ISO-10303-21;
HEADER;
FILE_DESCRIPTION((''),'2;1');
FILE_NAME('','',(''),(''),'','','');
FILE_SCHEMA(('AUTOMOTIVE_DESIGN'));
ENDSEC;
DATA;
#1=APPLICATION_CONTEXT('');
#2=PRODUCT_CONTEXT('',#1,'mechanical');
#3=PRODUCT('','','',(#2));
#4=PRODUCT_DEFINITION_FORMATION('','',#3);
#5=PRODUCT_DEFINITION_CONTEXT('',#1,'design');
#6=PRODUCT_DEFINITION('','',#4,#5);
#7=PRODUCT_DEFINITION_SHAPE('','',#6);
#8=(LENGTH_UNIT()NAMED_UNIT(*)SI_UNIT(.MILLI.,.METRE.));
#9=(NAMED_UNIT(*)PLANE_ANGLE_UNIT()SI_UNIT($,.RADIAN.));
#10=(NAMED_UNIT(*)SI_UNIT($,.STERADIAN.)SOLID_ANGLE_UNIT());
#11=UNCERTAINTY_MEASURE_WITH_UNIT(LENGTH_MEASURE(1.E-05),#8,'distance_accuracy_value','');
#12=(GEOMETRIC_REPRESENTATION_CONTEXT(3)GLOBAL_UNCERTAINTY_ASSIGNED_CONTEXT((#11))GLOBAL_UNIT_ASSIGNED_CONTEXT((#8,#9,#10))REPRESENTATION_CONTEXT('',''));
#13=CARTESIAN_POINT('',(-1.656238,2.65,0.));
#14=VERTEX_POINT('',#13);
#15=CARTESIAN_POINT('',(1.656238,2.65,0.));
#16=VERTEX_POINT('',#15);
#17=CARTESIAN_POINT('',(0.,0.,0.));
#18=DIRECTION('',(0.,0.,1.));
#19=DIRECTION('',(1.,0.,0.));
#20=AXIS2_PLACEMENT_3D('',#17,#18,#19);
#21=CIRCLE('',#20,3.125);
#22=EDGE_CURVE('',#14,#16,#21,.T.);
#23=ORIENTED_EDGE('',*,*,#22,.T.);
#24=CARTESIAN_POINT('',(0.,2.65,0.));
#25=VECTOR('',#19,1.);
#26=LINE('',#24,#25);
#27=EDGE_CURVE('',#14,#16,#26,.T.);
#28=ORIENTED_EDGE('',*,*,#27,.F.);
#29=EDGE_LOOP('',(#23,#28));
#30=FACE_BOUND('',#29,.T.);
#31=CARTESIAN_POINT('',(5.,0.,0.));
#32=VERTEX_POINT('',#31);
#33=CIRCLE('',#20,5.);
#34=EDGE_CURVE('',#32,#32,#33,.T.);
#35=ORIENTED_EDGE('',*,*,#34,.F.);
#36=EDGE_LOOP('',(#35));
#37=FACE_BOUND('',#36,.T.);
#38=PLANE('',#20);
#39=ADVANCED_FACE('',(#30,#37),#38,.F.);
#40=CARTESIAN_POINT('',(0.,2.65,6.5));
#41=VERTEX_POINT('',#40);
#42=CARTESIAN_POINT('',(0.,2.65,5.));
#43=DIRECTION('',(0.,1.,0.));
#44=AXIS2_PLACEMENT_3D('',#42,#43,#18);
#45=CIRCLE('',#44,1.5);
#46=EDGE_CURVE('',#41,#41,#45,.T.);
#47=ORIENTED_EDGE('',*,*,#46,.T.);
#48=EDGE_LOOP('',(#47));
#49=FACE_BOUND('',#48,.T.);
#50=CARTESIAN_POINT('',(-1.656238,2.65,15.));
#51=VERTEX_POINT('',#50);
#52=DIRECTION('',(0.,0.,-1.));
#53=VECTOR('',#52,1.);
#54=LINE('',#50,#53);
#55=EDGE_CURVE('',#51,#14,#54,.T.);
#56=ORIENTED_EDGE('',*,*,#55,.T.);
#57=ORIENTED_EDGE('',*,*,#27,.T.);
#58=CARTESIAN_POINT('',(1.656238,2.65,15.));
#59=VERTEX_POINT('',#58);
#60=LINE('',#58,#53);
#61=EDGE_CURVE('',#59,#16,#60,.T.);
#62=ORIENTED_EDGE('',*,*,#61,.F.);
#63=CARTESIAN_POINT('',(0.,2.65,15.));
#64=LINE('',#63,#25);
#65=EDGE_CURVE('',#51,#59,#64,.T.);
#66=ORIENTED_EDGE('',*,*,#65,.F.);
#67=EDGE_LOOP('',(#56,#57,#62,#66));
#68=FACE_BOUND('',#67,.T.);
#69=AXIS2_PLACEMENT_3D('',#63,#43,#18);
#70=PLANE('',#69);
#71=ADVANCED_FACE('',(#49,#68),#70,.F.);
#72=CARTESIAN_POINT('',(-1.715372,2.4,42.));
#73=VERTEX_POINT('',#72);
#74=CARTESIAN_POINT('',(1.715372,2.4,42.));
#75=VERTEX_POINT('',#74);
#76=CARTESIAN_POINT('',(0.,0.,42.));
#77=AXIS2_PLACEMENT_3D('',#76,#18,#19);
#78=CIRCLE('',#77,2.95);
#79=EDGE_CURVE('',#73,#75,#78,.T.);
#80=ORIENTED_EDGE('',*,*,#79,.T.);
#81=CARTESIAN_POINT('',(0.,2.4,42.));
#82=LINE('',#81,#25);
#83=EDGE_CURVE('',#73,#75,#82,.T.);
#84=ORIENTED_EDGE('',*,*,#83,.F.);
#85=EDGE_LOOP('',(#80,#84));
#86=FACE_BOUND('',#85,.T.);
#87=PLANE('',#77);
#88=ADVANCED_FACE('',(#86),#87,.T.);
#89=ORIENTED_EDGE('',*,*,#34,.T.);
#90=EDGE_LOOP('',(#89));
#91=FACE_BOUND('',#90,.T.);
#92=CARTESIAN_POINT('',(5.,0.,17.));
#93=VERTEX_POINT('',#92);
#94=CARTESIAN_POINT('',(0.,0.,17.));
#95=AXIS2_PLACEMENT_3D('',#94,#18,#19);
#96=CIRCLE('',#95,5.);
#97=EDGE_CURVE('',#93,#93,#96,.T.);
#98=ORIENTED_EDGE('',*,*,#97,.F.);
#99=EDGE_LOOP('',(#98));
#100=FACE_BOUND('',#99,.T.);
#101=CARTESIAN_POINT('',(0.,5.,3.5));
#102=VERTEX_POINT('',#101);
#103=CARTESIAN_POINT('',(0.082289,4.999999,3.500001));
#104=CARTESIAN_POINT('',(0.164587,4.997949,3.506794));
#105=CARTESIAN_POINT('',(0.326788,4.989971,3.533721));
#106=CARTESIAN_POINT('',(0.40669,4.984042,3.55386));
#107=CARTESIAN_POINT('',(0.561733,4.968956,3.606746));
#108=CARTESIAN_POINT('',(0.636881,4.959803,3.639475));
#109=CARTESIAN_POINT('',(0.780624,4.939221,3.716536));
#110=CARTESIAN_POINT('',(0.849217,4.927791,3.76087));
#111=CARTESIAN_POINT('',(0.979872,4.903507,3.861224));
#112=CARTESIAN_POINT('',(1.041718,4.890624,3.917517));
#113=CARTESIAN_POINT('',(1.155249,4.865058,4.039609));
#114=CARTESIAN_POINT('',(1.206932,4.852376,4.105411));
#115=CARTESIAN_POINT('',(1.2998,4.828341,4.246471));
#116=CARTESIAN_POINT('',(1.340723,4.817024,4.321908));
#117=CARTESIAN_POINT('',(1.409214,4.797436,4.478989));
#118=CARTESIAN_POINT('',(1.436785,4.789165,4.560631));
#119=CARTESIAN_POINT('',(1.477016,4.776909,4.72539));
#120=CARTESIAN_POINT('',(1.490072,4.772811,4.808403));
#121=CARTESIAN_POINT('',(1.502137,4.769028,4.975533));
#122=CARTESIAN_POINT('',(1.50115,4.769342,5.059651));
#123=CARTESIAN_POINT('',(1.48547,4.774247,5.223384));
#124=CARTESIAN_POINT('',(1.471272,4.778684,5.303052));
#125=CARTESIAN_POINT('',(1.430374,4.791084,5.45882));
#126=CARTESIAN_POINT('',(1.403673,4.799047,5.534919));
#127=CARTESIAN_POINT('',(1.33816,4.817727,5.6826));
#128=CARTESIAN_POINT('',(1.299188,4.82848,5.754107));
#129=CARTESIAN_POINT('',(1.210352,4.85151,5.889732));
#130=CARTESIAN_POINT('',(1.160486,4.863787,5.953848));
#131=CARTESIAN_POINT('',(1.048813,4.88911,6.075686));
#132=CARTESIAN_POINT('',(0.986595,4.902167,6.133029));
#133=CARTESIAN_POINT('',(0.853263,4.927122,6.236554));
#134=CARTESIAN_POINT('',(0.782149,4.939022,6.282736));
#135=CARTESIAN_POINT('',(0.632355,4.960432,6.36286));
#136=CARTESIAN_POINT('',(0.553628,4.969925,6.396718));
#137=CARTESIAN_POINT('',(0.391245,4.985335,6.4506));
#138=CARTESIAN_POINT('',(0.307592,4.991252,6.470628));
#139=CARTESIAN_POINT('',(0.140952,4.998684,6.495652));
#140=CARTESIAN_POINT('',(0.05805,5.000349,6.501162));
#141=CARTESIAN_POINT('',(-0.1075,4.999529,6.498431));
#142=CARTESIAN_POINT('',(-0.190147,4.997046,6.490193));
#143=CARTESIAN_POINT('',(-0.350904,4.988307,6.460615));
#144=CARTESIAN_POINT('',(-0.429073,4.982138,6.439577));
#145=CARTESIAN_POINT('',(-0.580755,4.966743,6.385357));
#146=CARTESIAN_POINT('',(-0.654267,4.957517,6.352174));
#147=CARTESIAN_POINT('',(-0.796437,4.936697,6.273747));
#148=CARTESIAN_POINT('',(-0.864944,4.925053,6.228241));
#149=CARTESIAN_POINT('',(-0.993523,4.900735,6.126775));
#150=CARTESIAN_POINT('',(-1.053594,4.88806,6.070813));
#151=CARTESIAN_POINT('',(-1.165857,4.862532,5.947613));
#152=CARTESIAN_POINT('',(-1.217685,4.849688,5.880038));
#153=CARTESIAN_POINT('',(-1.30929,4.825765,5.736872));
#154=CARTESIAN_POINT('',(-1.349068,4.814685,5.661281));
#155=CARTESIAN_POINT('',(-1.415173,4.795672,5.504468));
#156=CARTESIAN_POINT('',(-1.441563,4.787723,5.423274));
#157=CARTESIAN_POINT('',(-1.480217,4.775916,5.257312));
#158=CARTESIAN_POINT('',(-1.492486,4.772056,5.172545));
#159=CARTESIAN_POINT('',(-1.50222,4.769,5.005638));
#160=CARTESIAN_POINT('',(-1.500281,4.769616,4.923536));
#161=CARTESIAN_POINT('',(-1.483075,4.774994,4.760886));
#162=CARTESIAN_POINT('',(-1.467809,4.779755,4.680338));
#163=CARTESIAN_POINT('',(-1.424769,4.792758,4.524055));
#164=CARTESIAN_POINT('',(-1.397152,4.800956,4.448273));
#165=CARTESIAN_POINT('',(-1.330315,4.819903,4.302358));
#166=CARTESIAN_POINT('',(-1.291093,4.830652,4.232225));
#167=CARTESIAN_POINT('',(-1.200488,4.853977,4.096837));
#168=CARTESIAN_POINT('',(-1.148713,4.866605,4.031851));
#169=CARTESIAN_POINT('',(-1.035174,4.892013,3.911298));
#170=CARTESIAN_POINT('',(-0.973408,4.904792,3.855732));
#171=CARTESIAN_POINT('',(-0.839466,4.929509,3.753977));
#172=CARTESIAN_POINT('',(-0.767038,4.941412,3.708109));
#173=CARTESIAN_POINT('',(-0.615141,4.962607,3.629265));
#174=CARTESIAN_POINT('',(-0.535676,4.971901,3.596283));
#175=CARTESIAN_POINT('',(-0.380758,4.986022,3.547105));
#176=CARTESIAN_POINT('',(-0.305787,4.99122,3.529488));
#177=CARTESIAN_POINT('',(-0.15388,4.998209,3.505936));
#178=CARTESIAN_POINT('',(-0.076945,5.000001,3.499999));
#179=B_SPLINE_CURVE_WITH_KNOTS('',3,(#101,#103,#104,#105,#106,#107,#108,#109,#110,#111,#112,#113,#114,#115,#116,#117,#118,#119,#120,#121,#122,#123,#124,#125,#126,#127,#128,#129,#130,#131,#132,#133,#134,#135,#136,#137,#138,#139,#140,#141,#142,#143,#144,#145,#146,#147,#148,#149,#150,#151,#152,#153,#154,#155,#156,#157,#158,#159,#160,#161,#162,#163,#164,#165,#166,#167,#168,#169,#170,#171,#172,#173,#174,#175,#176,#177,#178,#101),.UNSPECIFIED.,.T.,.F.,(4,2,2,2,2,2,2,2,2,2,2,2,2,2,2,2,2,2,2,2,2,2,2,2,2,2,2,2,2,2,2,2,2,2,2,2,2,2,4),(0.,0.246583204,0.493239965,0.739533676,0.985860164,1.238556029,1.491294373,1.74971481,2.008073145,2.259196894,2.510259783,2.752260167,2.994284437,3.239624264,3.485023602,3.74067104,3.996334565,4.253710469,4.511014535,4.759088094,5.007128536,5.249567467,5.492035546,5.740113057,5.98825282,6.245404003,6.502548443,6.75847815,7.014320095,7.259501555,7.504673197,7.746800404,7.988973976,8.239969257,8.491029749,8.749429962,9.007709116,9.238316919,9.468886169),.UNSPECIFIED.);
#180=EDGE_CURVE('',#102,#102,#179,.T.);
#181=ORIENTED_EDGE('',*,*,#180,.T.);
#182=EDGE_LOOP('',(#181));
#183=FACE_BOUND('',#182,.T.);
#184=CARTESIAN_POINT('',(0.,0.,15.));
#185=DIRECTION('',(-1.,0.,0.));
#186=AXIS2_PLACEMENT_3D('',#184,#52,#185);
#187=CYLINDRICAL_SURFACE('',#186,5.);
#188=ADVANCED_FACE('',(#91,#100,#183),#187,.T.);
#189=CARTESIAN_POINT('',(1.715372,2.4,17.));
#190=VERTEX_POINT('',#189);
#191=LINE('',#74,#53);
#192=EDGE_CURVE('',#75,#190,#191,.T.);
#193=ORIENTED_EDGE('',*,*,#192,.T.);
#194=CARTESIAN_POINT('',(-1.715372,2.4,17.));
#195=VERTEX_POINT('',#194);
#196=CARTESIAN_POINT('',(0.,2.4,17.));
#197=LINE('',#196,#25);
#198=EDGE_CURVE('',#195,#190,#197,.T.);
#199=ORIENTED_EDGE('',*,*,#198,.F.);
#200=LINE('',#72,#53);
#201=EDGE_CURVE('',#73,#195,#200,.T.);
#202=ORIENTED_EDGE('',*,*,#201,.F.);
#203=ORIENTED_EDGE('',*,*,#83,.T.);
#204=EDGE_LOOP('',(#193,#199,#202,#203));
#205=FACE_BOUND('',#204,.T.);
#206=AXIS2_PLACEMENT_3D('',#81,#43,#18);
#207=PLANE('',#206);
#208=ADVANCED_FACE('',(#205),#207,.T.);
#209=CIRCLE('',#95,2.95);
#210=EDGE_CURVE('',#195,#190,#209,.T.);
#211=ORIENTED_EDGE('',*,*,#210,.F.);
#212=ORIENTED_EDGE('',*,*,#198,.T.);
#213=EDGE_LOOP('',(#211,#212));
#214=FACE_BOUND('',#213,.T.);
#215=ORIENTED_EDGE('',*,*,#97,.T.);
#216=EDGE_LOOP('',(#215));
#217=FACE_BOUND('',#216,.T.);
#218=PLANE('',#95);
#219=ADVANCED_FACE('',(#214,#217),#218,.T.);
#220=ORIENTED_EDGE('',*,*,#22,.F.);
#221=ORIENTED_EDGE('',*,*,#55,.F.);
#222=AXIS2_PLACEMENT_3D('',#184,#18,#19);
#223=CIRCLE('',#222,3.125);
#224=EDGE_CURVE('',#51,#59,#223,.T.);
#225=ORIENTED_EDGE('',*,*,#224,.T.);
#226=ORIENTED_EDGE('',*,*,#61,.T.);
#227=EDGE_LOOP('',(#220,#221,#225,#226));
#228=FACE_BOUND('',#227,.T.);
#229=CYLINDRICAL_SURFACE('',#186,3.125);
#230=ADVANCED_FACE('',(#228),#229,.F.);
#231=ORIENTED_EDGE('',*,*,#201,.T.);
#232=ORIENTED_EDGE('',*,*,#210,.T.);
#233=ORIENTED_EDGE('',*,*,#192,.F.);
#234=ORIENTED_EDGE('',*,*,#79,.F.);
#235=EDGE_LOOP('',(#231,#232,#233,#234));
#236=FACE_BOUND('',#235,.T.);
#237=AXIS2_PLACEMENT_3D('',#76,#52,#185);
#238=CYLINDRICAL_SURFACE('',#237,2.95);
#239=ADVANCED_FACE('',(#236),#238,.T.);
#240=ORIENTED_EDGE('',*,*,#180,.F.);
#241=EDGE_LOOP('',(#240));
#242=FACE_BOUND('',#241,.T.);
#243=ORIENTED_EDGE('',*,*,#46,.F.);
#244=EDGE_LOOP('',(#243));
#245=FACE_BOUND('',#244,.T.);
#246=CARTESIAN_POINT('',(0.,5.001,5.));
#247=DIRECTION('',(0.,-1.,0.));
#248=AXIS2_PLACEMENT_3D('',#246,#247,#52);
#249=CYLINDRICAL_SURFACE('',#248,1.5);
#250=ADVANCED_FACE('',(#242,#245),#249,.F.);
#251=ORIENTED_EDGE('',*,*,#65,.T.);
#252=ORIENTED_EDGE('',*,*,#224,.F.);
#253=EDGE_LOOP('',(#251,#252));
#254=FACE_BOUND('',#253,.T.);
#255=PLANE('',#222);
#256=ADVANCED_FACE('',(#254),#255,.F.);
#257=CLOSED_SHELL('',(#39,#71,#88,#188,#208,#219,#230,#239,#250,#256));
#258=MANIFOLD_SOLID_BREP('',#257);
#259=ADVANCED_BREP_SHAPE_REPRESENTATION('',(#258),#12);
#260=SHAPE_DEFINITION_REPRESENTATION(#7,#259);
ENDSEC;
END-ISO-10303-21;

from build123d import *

# Parameters (mm, degrees)
SKETCH1_R               = 5
BOSS_EXTRUDE1_DEPTH     = 15
CUT_EXTRUDE1_REACH      = 18.583
CUT_EXTRUDE1_END_RADIUS = 5
SKETCH3_R               = 1.5
SKETCH4_R               = 5
BOSS_EXTRUDE2_DEPTH     = 2
BOSS_EXTRUDE3_DEPTH     = 25


with BuildPart() as part:
    # Sketch1 → Boss-Extrude1 (new body)
    with BuildSketch(Plane.XY):
        Circle(SKETCH1_R)
        with BuildLine():
            Line((-1.656238208, 2.65), (1.656238208, 2.65))
            ThreePointArc((1.656238208, 2.65), (0, -3.125), (-1.656238208, 2.65))
        make_face(mode=Mode.SUBTRACT)
    extrude(amount=BOSS_EXTRUDE1_DEPTH)

    # Cut-Extrude1: up to this cylinder (the profile starts inside it)
    cut_extrude1_end = Plane(origin=(0, 0, 5), z_dir=(0, 0, -1)) * Cylinder(CUT_EXTRUDE1_END_RADIUS, 48.166, mode=Mode.PRIVATE)
    # Sketch3 → Cut-Extrude1 (cut, up to the surface)
    with BuildSketch(Plane(origin=(0, 0, 0), x_dir=(1, 0, 0), z_dir=(0, 1, 0)), mode=Mode.PRIVATE) as cut_extrude1_sk1:
        with Locations(Location((0, -5, 0), (0, 0, 90))):
            Circle(SKETCH3_R)
    cut_extrude1_tool1 = extrude(cut_extrude1_sk1.sketch, amount=CUT_EXTRUDE1_REACH, mode=Mode.PRIVATE) & cut_extrude1_end
    add(cut_extrude1_tool1.solids().sort_by_distance((0, 0, 5))[0], mode=Mode.SUBTRACT)

    # Sketch4 → Boss-Extrude2 (add)
    with BuildSketch(Plane.XY.offset(15)):
        Circle(SKETCH4_R)
    extrude(amount=BOSS_EXTRUDE2_DEPTH)

    # Sketch6 → Boss-Extrude3 (add)
    with BuildSketch(Plane.XY.offset(17)):
        with BuildLine():
            Line((1.71537168, 2.4), (-1.71537168, 2.4))
            ThreePointArc((-1.71537168, 2.4), (-1.349472776, -2.623246696), (2.95, 0))
            ThreePointArc((2.95, 0), (2.623246696, 1.349472776), (1.71537168, 2.4))
        make_face()
    extrude(amount=BOSS_EXTRUDE3_DEPTH)


solid = part.part
